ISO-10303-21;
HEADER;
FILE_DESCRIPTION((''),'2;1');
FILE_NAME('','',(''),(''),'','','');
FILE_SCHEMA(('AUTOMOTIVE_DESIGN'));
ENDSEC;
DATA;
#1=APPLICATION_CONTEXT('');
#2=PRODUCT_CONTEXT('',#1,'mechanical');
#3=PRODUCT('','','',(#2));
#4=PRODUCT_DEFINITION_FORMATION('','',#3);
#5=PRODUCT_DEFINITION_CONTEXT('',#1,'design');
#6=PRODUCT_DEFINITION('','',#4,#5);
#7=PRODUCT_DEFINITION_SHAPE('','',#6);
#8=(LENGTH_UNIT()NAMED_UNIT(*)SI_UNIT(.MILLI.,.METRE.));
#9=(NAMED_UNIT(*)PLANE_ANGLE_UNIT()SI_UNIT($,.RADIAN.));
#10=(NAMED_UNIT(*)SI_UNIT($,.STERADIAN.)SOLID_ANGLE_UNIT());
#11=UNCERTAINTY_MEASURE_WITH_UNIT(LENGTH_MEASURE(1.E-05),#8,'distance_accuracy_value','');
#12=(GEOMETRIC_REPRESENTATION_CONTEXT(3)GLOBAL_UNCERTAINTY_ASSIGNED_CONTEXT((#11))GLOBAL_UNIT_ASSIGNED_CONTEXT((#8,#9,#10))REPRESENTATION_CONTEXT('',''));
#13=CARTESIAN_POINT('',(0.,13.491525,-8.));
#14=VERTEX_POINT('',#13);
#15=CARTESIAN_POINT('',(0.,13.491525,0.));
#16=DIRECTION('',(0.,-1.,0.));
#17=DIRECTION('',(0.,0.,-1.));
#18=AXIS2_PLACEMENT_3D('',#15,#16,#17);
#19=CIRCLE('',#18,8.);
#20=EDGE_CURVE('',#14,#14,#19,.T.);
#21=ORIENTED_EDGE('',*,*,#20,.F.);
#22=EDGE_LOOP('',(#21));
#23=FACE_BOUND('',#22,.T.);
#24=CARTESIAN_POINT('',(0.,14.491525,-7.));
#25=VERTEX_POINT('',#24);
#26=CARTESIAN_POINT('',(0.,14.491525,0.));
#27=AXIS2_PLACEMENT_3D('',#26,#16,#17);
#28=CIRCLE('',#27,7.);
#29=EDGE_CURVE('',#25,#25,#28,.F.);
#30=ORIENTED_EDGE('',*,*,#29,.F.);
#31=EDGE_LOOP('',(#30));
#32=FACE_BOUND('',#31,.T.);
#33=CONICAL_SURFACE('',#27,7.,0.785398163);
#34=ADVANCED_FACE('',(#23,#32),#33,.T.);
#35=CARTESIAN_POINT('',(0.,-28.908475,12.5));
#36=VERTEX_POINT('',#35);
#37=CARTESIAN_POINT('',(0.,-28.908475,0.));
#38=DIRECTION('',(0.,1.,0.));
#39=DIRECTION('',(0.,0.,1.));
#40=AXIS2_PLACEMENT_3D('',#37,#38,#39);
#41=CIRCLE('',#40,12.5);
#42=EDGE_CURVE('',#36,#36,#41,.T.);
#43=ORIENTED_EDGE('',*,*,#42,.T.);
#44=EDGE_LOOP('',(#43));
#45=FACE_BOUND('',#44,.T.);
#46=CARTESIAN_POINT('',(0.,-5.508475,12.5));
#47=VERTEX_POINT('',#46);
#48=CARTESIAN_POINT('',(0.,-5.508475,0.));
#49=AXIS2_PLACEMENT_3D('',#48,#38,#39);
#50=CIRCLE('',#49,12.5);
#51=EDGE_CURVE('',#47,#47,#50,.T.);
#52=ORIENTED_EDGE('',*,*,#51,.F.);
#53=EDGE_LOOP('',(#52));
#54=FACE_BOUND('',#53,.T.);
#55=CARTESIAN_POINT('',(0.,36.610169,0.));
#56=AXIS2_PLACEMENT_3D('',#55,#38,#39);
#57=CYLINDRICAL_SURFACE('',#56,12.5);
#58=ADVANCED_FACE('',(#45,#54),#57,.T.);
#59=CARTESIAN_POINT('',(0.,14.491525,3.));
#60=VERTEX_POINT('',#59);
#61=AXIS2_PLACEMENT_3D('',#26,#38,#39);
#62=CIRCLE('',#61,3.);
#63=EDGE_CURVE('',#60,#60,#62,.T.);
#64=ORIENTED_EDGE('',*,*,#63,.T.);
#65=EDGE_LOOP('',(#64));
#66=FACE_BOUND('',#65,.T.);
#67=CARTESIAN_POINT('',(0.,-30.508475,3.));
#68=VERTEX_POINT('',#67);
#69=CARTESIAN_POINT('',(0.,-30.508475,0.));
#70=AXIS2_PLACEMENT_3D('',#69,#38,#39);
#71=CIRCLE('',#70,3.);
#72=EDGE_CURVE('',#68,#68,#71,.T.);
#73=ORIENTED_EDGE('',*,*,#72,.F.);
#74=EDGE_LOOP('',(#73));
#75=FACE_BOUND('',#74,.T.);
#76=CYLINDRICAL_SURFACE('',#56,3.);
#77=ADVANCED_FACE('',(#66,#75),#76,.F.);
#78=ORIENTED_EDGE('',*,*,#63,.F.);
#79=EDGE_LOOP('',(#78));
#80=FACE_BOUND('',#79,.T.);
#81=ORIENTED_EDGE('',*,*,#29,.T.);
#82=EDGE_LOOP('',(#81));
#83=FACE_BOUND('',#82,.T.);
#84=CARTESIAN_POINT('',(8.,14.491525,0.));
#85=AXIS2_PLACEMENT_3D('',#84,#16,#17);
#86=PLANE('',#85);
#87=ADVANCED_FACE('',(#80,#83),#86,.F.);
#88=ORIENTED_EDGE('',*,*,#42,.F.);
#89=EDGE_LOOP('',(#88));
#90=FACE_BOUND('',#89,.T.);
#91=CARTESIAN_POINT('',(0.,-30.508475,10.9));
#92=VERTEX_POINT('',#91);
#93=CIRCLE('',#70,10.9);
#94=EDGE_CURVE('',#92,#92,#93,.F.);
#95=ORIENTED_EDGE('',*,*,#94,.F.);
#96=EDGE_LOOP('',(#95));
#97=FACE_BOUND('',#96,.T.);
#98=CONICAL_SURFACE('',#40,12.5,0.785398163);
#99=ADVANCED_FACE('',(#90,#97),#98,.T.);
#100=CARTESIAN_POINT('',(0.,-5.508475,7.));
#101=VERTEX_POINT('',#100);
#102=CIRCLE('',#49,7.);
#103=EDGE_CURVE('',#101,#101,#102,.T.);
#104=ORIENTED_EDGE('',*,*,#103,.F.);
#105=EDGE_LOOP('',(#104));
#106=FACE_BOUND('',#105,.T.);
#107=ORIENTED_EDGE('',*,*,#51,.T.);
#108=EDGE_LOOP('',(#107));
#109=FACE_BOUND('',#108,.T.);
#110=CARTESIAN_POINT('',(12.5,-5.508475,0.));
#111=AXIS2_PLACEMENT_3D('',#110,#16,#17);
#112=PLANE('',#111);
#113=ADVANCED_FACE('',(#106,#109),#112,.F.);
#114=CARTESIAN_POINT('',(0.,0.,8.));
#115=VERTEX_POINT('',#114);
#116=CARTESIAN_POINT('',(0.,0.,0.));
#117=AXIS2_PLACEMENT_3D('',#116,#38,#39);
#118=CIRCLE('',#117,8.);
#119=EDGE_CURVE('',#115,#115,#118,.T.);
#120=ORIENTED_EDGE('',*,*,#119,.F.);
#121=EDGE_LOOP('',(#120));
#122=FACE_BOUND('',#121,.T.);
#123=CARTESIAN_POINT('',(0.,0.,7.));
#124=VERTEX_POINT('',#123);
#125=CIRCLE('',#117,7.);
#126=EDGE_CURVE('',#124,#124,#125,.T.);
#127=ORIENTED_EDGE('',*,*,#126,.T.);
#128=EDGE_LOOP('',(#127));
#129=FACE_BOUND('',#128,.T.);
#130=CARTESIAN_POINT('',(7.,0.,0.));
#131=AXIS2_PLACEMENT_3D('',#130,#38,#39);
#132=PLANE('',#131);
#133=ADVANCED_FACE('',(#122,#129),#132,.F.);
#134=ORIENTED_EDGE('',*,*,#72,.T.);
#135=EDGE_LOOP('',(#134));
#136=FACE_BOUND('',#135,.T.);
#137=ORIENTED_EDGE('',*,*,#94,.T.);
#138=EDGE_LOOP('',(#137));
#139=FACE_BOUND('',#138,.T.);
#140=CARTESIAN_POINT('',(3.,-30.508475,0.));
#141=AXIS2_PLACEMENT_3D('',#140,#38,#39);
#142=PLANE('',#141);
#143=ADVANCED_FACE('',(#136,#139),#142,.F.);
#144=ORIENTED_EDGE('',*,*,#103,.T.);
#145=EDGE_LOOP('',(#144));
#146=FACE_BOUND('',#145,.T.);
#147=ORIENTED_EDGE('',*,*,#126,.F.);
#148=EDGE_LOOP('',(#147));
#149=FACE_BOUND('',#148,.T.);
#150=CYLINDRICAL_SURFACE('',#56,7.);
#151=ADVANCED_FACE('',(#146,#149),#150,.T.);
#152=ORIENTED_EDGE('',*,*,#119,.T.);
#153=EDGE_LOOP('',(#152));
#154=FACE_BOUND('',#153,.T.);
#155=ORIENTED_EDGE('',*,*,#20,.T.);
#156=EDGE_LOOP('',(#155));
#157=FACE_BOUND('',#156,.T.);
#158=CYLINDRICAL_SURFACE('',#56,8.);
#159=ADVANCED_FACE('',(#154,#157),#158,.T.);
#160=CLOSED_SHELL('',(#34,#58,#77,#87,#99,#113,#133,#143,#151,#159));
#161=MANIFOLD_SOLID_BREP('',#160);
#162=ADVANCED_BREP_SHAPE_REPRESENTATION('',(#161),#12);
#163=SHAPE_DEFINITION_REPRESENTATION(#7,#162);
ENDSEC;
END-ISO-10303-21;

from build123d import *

# Parameters (mm, degrees)
CHAMFER_1_SIZE = 1.6
CHAMFER_2_SIZE = 1


with BuildPart() as part:
    # Эскиз1 → Повернуть1 (revolve)
    with BuildSketch(Plane.XY, mode=Mode.PRIVATE) as revolve_1_sk:
        Polygon((3, -30.508474576), (12.5, -30.508474576), (12.5, -5.508474576), (7, -5.508474576), (7, 0), (8, 0), (8, 14.491525424), (3, 14.491525424), align=None)
    revolve(revolve_1_sk.sketch.rotate(Axis((0, 36.610169492, 0), (0, -1, 0)), 90), axis=Axis((0, 36.610169492, 0), (0, -1, 0)))

    # Фаска1
    chamfer_1_edges = [part.edges().sort_by_distance(p)[0] for p in [
        (0, -30.508474576, -12.5),
    ]]
    chamfer(chamfer_1_edges, length=CHAMFER_1_SIZE)

    # Фаска2
    chamfer_2_edges = [part.edges().sort_by_distance(p)[0] for p in [
        (0, 14.491525424, -8),
    ]]
    chamfer(chamfer_2_edges, length=CHAMFER_2_SIZE)


solid = part.part
